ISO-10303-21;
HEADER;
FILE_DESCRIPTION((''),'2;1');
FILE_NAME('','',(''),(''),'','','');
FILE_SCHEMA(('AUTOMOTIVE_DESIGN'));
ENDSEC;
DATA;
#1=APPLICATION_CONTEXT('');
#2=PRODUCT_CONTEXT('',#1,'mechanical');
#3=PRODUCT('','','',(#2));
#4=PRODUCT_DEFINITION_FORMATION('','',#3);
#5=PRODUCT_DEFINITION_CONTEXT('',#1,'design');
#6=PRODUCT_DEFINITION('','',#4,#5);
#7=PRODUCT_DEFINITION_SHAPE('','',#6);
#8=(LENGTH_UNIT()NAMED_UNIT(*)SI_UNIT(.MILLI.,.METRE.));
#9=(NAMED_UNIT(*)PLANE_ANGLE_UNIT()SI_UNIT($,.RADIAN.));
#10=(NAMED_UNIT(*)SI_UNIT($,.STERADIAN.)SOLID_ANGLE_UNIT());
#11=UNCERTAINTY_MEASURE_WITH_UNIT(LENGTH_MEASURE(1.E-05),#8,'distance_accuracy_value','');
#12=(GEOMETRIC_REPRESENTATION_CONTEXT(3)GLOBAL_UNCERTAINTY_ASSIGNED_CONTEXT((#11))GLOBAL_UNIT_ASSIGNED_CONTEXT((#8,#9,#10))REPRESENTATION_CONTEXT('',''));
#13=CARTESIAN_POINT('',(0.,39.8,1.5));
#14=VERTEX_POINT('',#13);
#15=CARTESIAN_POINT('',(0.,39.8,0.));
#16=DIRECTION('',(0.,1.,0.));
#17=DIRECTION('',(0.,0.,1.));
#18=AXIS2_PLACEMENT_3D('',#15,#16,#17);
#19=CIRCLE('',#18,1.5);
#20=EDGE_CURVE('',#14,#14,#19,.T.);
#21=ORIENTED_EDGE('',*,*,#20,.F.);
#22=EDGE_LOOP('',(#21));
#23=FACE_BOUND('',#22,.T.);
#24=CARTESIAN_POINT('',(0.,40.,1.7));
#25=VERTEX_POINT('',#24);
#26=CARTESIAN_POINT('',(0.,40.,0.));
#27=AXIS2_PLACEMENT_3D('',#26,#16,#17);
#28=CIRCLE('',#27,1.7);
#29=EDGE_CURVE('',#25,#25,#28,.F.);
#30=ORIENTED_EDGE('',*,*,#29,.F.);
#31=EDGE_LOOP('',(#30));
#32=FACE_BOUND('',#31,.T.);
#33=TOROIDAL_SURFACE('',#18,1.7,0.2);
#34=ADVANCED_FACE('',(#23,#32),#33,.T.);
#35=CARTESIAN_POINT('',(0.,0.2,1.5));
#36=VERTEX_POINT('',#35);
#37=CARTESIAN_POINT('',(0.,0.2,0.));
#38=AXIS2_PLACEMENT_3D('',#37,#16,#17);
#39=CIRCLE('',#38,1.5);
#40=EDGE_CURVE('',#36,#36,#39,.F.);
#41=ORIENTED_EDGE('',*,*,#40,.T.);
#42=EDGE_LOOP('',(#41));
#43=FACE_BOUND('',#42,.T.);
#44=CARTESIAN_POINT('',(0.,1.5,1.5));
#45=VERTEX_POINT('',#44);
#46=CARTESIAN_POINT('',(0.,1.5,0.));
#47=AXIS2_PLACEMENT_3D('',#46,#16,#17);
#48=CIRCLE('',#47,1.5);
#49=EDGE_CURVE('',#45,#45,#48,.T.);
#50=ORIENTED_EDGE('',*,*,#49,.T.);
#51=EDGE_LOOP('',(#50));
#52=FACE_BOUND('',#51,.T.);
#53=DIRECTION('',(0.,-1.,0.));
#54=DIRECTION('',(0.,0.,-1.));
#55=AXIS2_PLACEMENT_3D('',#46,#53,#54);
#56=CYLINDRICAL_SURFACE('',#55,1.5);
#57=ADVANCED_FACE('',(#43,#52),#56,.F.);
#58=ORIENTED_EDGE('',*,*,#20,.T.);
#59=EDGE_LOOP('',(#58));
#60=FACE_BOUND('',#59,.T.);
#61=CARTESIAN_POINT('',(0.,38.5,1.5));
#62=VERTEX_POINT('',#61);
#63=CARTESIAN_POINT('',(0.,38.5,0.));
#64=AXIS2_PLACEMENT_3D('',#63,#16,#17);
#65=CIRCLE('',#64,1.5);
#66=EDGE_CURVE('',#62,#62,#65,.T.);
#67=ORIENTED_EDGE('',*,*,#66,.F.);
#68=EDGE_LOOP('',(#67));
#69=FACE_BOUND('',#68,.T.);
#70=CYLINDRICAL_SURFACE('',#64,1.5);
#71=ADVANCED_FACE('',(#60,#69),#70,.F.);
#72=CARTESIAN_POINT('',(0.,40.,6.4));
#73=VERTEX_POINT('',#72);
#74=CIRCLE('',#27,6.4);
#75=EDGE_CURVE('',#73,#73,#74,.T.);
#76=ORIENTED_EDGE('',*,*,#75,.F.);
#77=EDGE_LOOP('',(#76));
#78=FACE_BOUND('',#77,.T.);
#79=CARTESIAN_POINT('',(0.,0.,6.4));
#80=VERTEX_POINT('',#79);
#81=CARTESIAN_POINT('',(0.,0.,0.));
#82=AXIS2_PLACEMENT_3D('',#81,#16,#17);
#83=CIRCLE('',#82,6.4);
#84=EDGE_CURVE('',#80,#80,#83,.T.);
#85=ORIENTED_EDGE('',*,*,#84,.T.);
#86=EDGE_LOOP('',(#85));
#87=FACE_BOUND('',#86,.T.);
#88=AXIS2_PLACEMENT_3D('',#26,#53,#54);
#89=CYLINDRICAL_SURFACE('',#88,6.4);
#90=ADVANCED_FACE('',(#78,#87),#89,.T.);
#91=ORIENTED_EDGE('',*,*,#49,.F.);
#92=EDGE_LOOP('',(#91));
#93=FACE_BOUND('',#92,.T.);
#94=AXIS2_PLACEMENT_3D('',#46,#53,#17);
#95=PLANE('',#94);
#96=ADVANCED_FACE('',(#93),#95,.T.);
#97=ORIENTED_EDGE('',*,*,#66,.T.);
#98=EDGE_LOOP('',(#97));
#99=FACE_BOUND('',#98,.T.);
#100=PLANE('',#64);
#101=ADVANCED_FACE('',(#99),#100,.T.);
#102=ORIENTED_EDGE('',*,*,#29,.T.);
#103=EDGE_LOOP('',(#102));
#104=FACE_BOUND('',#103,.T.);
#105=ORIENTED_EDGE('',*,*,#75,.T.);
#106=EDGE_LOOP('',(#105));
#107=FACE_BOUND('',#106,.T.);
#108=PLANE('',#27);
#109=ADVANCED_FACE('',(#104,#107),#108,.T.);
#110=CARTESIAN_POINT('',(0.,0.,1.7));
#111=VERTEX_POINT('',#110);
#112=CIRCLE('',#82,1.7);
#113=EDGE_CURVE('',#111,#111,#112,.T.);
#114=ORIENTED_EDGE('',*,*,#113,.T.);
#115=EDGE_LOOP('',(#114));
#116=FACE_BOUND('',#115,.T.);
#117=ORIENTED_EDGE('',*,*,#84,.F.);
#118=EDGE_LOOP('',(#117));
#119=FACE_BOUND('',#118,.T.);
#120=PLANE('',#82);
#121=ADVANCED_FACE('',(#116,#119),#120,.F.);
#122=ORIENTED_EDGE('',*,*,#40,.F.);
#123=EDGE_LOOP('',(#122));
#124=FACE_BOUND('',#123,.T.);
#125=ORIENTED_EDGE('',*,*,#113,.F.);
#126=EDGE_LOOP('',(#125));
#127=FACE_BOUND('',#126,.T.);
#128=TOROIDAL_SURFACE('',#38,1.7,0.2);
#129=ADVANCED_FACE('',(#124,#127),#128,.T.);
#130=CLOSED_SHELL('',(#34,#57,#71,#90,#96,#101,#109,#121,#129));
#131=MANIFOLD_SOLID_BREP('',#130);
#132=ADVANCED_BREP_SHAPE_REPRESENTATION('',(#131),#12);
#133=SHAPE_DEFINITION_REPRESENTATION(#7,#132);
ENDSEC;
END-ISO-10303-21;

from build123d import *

# Parameters (mm, degrees)
SKETCH1_R           = 6.4
BOSS_EXTRUDE1_DEPTH = 40
SKETCH2_R           = 1.5
CUT_EXTRUDE1_DEPTH  = 1.5
FILLET2_R           = 0.2


with BuildPart() as part:
    # Sketch1 → Boss-Extrude1 (new body)
    with BuildSketch(Plane(origin=(0, 0, 0), x_dir=(1, 0, 0), z_dir=(0, 1, 0))):
        with Locations(Location((0, 0, 0), (0, 0, 270))):
            Circle(SKETCH1_R)
    extrude(amount=BOSS_EXTRUDE1_DEPTH)

    # Sketch2 → Cut-Extrude1 (cut)
    with BuildSketch(Plane(origin=(0, 40, 0), x_dir=(1, 0, 0), z_dir=(0, 1, 0))):
        with Locations(Location((0, 0, 0), (0, 0, 270))):
            Circle(SKETCH2_R)
    cut_extrude1 = extrude(amount=-CUT_EXTRUDE1_DEPTH, mode=Mode.SUBTRACT)

    # Mirror1: Cut-Extrude1 across plane
    add(cut_extrude1.mirror(Plane.ZX.offset(20)), mode=Mode.SUBTRACT)

    # Fillet2
    fillet2_edges = [part.edges().sort_by_distance(p)[0] for p in [
        (0, 0, -1.5),
        (0, 40, -1.5),
    ]]
    fillet(fillet2_edges, radius=FILLET2_R)


solid = part.part
